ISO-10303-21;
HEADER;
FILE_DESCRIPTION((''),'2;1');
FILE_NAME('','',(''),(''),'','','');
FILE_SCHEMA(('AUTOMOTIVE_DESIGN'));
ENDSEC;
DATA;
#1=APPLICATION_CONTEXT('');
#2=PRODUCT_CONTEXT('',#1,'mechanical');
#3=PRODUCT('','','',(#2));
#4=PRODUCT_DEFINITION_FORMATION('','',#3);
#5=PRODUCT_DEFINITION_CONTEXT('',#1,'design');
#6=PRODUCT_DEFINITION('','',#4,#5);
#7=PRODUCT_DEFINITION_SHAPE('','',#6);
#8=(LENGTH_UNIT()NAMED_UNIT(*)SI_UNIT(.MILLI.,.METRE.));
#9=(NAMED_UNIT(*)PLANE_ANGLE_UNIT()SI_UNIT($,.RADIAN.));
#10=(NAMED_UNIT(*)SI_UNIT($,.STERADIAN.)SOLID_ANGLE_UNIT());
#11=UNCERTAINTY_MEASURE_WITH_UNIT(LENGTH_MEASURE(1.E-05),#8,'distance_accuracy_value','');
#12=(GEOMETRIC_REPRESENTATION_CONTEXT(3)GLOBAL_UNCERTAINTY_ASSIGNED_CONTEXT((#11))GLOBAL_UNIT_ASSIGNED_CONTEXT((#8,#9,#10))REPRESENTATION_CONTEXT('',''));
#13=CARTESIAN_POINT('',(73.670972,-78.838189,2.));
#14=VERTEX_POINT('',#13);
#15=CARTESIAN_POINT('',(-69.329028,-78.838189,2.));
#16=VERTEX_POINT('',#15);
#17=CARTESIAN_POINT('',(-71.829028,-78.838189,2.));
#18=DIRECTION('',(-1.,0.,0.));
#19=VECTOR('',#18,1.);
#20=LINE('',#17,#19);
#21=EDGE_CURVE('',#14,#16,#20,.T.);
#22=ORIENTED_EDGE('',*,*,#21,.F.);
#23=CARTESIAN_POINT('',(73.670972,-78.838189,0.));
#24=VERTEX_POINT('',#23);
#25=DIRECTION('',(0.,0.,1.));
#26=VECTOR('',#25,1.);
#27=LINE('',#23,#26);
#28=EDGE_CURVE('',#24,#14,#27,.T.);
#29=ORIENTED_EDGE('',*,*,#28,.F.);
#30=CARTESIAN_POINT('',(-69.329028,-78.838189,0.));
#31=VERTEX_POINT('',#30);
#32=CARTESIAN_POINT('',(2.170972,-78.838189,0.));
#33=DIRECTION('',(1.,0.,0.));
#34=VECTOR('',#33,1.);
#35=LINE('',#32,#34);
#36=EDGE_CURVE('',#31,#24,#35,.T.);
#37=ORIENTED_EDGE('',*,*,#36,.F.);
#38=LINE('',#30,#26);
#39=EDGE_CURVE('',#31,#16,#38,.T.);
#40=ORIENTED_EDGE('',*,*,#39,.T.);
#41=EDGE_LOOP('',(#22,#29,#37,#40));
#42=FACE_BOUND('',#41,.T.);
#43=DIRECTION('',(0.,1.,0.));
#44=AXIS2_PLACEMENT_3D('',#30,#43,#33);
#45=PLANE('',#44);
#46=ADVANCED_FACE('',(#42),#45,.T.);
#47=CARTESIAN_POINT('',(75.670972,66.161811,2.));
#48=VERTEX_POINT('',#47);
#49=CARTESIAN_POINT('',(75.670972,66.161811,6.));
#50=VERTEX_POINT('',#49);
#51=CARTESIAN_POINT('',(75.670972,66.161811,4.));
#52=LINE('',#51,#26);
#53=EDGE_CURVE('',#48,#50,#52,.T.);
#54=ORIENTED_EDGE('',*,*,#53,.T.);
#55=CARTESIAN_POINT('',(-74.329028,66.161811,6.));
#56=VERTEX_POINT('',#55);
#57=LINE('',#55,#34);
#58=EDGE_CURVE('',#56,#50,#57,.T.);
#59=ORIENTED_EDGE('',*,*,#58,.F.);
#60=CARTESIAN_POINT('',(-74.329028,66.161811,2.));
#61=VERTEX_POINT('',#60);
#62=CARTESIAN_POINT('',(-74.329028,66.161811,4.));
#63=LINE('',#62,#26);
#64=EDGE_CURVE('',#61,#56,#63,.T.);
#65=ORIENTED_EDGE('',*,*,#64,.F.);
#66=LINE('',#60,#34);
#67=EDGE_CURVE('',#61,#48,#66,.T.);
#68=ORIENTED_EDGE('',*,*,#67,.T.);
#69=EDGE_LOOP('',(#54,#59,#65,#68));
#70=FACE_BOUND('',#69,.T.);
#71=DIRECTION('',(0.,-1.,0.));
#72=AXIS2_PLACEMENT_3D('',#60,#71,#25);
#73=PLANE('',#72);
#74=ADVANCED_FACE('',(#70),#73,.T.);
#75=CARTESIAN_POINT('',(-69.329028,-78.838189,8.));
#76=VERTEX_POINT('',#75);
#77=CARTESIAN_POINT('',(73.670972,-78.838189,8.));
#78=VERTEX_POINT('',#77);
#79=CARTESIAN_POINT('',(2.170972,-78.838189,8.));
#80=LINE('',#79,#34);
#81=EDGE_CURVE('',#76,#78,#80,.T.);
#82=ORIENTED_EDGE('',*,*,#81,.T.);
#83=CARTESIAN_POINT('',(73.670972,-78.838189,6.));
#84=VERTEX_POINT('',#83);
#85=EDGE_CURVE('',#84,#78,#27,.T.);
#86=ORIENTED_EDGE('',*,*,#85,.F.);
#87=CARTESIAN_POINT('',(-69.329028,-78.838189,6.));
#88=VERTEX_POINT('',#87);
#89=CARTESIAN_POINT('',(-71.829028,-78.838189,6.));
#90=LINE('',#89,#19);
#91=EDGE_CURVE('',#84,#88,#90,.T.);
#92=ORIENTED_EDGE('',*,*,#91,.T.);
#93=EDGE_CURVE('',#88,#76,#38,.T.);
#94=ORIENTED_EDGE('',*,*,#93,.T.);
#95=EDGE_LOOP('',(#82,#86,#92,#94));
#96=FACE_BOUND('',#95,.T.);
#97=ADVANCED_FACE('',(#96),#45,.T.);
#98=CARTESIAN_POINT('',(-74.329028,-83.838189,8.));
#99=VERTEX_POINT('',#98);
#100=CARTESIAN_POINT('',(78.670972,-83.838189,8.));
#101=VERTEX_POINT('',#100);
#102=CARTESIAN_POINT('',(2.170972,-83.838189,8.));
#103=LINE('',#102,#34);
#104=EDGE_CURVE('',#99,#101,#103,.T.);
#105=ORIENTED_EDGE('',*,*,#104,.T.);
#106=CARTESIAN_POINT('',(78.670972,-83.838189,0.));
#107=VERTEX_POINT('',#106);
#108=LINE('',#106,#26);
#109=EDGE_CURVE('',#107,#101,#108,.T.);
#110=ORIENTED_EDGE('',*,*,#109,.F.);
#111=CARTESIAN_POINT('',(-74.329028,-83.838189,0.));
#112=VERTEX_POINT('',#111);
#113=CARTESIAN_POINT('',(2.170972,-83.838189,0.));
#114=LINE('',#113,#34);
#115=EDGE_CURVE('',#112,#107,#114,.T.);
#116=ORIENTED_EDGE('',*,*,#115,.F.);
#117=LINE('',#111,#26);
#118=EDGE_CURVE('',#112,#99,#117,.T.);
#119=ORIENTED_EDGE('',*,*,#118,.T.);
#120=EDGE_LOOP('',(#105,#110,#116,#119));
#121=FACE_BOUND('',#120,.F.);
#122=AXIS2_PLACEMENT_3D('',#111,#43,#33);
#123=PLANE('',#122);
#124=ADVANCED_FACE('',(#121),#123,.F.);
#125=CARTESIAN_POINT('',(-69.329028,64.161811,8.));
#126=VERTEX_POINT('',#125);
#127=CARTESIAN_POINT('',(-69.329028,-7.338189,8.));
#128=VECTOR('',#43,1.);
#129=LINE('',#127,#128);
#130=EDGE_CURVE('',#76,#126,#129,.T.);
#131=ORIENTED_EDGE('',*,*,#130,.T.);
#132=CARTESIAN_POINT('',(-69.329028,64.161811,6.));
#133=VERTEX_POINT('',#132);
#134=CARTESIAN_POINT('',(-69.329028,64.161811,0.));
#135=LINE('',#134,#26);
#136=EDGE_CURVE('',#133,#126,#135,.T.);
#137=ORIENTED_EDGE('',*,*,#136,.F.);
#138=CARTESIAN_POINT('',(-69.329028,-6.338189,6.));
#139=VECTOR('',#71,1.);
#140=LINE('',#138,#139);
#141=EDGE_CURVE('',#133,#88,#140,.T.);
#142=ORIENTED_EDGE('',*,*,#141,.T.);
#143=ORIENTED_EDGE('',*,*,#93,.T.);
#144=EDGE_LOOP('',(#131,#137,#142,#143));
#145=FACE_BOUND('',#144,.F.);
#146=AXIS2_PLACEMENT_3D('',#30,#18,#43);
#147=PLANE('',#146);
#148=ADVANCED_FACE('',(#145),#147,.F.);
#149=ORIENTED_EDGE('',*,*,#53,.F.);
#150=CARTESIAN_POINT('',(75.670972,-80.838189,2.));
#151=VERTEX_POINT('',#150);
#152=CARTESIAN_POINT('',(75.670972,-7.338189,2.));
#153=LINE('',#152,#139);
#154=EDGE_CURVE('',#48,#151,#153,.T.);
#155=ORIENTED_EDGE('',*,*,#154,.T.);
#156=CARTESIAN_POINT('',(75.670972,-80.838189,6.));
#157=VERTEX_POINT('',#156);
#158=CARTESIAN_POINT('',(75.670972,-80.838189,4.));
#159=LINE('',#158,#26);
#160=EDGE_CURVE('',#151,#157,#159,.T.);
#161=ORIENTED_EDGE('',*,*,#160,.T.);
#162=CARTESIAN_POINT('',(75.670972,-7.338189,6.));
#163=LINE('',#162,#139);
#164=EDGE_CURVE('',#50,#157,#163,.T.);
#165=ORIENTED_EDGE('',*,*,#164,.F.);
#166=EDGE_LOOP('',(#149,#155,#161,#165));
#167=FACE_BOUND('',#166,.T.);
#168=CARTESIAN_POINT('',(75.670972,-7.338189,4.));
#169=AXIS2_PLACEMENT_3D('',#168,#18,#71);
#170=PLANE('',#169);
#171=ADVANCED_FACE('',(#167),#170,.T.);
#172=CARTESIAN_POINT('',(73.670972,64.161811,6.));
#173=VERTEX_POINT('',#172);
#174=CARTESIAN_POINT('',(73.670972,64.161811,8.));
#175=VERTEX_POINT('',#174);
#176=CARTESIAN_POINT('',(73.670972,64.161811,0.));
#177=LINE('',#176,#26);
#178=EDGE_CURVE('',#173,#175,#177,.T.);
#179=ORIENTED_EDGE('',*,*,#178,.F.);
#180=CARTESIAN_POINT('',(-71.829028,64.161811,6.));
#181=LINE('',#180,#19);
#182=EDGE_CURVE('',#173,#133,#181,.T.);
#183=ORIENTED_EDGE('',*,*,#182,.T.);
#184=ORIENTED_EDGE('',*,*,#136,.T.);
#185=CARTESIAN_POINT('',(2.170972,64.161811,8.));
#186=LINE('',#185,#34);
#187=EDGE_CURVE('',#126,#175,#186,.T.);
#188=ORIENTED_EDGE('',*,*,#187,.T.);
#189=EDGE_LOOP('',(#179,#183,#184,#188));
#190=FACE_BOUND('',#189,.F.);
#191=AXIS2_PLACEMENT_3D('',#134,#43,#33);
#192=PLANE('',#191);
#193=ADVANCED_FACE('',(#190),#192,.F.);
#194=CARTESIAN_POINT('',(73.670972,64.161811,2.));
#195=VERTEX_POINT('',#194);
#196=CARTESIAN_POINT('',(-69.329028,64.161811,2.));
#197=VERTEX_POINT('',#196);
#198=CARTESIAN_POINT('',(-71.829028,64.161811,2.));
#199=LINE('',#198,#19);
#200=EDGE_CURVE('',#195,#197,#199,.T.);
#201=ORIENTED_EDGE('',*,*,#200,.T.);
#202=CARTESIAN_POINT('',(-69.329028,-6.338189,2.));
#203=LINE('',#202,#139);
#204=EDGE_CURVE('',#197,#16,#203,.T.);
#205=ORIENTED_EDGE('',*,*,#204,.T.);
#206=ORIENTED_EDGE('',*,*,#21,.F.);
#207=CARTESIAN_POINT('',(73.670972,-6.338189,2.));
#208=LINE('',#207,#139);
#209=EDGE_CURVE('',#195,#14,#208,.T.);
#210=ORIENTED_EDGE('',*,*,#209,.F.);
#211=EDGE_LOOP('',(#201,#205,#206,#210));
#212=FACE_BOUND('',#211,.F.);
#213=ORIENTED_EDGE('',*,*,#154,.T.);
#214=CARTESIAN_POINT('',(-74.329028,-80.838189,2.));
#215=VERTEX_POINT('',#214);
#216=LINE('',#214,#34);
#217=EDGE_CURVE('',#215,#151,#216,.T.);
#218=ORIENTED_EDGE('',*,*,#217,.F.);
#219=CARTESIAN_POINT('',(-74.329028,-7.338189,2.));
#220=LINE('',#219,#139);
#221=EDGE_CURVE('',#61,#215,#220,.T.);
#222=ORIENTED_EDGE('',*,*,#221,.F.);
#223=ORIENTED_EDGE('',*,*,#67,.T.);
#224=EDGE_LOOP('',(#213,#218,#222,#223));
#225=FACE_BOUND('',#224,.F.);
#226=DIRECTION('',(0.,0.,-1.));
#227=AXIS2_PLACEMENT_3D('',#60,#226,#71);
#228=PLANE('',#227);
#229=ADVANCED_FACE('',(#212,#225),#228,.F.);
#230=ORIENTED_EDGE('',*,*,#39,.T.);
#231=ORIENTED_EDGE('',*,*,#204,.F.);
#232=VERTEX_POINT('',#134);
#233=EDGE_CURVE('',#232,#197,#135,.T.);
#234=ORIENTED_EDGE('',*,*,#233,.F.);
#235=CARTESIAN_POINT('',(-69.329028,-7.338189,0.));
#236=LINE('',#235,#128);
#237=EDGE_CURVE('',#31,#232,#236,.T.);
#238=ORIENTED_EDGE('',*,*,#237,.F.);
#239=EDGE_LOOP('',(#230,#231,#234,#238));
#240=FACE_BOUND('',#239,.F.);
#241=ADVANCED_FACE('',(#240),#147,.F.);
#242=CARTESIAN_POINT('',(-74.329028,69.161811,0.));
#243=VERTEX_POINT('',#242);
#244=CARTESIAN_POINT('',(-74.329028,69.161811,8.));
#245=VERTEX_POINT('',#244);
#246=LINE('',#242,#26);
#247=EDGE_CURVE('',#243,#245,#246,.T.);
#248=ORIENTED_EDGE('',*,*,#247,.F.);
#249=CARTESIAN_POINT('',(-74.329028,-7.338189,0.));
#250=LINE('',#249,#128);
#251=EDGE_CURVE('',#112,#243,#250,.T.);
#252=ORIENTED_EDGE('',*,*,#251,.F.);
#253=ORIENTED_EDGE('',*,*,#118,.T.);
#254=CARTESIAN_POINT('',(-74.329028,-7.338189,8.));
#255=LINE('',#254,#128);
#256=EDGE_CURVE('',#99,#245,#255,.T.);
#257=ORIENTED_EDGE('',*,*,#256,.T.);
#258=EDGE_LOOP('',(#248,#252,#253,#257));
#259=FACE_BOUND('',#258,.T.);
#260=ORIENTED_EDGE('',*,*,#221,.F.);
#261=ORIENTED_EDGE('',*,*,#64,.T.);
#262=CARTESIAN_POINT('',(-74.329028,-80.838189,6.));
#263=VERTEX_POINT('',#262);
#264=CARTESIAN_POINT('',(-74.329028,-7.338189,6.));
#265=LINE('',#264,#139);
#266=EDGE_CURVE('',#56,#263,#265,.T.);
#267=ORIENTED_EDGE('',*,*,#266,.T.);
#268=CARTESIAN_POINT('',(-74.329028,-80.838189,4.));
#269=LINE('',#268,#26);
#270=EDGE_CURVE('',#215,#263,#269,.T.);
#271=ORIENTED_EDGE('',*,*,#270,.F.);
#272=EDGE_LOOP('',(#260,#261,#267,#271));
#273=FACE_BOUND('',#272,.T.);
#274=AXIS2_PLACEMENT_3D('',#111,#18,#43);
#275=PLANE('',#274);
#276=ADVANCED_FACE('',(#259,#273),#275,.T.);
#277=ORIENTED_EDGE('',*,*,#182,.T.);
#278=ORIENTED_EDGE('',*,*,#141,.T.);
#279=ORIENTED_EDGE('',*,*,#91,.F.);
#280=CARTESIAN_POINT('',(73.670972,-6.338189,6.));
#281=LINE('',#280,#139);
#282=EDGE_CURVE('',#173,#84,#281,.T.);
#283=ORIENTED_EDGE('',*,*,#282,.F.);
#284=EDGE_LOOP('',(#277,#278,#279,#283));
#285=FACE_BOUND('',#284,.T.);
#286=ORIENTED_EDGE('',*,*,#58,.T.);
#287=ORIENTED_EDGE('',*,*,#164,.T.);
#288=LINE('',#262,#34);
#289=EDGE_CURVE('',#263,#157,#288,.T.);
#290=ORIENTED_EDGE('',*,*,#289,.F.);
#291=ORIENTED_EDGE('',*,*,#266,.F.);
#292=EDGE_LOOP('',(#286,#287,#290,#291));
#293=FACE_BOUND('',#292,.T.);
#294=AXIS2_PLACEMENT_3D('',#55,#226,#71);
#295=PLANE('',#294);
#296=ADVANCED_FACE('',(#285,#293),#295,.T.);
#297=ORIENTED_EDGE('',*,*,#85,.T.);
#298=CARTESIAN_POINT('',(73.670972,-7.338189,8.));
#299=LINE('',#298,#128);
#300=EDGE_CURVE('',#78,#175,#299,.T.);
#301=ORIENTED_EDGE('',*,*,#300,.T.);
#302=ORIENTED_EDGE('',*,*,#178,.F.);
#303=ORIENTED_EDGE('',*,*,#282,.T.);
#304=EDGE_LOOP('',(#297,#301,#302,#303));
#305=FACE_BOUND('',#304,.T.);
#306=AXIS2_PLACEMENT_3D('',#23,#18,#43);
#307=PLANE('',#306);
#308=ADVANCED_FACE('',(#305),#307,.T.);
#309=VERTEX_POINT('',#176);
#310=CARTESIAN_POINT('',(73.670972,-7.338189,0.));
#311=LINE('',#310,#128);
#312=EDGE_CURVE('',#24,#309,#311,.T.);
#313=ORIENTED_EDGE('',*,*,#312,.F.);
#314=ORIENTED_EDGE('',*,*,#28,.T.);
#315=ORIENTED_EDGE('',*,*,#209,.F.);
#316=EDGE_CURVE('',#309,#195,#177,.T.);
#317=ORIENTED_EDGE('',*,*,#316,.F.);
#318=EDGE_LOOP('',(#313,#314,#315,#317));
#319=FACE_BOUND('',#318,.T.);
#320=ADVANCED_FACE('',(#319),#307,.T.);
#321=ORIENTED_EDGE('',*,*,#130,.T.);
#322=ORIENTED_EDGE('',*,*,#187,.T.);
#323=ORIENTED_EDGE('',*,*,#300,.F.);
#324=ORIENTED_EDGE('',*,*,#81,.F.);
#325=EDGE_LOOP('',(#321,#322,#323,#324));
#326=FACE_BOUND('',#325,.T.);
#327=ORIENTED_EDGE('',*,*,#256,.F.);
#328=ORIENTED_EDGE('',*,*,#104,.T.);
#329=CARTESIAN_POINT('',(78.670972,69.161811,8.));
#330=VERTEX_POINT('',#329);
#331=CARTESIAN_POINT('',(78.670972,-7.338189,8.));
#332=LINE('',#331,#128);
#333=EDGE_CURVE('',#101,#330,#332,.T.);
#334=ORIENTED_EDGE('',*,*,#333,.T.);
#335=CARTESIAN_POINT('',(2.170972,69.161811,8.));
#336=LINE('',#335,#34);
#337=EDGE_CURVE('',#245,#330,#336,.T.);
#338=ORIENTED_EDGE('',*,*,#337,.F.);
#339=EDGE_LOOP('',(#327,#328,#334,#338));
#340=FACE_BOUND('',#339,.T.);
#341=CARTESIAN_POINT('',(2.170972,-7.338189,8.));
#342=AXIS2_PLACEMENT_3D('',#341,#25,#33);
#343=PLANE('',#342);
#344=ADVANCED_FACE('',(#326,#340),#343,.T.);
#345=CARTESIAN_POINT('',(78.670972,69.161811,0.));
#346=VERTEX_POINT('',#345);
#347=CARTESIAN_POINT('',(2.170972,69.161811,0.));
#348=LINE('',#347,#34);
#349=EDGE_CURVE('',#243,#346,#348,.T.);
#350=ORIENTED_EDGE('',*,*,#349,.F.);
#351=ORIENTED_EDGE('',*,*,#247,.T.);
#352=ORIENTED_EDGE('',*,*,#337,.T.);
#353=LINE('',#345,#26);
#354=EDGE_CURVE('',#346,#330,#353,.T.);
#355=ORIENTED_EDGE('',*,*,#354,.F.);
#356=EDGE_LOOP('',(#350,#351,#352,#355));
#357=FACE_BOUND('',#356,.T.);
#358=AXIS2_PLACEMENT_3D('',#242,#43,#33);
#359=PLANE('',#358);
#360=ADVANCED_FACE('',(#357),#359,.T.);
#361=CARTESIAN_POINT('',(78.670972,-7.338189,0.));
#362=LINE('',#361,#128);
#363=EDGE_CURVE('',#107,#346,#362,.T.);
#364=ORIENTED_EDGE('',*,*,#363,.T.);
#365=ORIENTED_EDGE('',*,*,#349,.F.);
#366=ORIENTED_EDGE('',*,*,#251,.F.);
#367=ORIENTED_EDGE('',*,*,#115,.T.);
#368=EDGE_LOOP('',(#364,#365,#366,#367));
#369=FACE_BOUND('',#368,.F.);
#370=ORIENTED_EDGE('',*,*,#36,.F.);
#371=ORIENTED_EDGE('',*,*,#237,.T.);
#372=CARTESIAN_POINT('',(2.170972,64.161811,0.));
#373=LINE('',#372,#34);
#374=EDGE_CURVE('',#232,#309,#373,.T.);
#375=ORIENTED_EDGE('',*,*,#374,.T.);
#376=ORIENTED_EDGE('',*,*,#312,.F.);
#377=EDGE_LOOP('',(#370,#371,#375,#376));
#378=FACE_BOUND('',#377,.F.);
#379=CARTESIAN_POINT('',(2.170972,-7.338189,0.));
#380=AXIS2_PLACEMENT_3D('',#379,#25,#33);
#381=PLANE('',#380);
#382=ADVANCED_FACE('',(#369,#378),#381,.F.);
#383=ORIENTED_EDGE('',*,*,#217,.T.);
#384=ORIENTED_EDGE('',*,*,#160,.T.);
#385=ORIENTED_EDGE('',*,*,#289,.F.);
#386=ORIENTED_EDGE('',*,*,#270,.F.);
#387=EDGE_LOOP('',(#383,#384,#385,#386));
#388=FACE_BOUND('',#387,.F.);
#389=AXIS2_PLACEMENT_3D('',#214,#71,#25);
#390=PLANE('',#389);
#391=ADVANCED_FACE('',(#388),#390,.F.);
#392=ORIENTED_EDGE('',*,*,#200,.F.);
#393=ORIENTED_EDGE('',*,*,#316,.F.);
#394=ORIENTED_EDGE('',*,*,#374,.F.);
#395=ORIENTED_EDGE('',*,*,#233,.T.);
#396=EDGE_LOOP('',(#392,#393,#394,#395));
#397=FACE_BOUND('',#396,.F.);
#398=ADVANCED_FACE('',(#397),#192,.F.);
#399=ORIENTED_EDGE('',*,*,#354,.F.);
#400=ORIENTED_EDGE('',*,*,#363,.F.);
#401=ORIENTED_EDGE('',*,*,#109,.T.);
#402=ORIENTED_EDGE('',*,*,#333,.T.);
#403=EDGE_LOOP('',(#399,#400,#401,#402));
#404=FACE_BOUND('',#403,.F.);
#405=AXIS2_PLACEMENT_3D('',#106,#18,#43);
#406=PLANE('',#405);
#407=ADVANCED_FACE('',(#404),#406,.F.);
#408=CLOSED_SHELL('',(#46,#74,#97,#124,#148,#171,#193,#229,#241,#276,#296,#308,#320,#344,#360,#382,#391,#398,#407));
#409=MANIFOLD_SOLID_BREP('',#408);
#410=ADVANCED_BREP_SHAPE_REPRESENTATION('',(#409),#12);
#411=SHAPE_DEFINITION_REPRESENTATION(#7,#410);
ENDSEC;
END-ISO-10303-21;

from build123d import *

# Parameters (mm, degrees)
F0_W     = 153
F0_H     = 153
F0_W_2   = 143
F0_H_2   = 143
F1_DEPTH = 8
F2_W     = 147
F2_H     = 4
F3_DEPTH = 150


with BuildPart() as f1:
    # F0 (on Top) → F1 (new body)
    with BuildSketch(Plane.XY):
        with Locations((2.170972, -7.338189)):
            Rectangle(F0_W, F0_H)
        with Locations((2.170972, -7.338189)):
            Rectangle(F0_W_2, F0_H_2, mode=Mode.SUBTRACT)
    extrude(amount=F1_DEPTH)

    # F2 (on face) → F3 (cut)
    with BuildSketch(Plane(origin=(-74.329028, 0, 0), x_dir=(0, -1, 0), z_dir=(-1, 0, 0))):
        with Locations((7.338189, 4)):
            Rectangle(F2_W, F2_H)
    extrude(amount=-F3_DEPTH, mode=Mode.SUBTRACT)


solid = f1.part
